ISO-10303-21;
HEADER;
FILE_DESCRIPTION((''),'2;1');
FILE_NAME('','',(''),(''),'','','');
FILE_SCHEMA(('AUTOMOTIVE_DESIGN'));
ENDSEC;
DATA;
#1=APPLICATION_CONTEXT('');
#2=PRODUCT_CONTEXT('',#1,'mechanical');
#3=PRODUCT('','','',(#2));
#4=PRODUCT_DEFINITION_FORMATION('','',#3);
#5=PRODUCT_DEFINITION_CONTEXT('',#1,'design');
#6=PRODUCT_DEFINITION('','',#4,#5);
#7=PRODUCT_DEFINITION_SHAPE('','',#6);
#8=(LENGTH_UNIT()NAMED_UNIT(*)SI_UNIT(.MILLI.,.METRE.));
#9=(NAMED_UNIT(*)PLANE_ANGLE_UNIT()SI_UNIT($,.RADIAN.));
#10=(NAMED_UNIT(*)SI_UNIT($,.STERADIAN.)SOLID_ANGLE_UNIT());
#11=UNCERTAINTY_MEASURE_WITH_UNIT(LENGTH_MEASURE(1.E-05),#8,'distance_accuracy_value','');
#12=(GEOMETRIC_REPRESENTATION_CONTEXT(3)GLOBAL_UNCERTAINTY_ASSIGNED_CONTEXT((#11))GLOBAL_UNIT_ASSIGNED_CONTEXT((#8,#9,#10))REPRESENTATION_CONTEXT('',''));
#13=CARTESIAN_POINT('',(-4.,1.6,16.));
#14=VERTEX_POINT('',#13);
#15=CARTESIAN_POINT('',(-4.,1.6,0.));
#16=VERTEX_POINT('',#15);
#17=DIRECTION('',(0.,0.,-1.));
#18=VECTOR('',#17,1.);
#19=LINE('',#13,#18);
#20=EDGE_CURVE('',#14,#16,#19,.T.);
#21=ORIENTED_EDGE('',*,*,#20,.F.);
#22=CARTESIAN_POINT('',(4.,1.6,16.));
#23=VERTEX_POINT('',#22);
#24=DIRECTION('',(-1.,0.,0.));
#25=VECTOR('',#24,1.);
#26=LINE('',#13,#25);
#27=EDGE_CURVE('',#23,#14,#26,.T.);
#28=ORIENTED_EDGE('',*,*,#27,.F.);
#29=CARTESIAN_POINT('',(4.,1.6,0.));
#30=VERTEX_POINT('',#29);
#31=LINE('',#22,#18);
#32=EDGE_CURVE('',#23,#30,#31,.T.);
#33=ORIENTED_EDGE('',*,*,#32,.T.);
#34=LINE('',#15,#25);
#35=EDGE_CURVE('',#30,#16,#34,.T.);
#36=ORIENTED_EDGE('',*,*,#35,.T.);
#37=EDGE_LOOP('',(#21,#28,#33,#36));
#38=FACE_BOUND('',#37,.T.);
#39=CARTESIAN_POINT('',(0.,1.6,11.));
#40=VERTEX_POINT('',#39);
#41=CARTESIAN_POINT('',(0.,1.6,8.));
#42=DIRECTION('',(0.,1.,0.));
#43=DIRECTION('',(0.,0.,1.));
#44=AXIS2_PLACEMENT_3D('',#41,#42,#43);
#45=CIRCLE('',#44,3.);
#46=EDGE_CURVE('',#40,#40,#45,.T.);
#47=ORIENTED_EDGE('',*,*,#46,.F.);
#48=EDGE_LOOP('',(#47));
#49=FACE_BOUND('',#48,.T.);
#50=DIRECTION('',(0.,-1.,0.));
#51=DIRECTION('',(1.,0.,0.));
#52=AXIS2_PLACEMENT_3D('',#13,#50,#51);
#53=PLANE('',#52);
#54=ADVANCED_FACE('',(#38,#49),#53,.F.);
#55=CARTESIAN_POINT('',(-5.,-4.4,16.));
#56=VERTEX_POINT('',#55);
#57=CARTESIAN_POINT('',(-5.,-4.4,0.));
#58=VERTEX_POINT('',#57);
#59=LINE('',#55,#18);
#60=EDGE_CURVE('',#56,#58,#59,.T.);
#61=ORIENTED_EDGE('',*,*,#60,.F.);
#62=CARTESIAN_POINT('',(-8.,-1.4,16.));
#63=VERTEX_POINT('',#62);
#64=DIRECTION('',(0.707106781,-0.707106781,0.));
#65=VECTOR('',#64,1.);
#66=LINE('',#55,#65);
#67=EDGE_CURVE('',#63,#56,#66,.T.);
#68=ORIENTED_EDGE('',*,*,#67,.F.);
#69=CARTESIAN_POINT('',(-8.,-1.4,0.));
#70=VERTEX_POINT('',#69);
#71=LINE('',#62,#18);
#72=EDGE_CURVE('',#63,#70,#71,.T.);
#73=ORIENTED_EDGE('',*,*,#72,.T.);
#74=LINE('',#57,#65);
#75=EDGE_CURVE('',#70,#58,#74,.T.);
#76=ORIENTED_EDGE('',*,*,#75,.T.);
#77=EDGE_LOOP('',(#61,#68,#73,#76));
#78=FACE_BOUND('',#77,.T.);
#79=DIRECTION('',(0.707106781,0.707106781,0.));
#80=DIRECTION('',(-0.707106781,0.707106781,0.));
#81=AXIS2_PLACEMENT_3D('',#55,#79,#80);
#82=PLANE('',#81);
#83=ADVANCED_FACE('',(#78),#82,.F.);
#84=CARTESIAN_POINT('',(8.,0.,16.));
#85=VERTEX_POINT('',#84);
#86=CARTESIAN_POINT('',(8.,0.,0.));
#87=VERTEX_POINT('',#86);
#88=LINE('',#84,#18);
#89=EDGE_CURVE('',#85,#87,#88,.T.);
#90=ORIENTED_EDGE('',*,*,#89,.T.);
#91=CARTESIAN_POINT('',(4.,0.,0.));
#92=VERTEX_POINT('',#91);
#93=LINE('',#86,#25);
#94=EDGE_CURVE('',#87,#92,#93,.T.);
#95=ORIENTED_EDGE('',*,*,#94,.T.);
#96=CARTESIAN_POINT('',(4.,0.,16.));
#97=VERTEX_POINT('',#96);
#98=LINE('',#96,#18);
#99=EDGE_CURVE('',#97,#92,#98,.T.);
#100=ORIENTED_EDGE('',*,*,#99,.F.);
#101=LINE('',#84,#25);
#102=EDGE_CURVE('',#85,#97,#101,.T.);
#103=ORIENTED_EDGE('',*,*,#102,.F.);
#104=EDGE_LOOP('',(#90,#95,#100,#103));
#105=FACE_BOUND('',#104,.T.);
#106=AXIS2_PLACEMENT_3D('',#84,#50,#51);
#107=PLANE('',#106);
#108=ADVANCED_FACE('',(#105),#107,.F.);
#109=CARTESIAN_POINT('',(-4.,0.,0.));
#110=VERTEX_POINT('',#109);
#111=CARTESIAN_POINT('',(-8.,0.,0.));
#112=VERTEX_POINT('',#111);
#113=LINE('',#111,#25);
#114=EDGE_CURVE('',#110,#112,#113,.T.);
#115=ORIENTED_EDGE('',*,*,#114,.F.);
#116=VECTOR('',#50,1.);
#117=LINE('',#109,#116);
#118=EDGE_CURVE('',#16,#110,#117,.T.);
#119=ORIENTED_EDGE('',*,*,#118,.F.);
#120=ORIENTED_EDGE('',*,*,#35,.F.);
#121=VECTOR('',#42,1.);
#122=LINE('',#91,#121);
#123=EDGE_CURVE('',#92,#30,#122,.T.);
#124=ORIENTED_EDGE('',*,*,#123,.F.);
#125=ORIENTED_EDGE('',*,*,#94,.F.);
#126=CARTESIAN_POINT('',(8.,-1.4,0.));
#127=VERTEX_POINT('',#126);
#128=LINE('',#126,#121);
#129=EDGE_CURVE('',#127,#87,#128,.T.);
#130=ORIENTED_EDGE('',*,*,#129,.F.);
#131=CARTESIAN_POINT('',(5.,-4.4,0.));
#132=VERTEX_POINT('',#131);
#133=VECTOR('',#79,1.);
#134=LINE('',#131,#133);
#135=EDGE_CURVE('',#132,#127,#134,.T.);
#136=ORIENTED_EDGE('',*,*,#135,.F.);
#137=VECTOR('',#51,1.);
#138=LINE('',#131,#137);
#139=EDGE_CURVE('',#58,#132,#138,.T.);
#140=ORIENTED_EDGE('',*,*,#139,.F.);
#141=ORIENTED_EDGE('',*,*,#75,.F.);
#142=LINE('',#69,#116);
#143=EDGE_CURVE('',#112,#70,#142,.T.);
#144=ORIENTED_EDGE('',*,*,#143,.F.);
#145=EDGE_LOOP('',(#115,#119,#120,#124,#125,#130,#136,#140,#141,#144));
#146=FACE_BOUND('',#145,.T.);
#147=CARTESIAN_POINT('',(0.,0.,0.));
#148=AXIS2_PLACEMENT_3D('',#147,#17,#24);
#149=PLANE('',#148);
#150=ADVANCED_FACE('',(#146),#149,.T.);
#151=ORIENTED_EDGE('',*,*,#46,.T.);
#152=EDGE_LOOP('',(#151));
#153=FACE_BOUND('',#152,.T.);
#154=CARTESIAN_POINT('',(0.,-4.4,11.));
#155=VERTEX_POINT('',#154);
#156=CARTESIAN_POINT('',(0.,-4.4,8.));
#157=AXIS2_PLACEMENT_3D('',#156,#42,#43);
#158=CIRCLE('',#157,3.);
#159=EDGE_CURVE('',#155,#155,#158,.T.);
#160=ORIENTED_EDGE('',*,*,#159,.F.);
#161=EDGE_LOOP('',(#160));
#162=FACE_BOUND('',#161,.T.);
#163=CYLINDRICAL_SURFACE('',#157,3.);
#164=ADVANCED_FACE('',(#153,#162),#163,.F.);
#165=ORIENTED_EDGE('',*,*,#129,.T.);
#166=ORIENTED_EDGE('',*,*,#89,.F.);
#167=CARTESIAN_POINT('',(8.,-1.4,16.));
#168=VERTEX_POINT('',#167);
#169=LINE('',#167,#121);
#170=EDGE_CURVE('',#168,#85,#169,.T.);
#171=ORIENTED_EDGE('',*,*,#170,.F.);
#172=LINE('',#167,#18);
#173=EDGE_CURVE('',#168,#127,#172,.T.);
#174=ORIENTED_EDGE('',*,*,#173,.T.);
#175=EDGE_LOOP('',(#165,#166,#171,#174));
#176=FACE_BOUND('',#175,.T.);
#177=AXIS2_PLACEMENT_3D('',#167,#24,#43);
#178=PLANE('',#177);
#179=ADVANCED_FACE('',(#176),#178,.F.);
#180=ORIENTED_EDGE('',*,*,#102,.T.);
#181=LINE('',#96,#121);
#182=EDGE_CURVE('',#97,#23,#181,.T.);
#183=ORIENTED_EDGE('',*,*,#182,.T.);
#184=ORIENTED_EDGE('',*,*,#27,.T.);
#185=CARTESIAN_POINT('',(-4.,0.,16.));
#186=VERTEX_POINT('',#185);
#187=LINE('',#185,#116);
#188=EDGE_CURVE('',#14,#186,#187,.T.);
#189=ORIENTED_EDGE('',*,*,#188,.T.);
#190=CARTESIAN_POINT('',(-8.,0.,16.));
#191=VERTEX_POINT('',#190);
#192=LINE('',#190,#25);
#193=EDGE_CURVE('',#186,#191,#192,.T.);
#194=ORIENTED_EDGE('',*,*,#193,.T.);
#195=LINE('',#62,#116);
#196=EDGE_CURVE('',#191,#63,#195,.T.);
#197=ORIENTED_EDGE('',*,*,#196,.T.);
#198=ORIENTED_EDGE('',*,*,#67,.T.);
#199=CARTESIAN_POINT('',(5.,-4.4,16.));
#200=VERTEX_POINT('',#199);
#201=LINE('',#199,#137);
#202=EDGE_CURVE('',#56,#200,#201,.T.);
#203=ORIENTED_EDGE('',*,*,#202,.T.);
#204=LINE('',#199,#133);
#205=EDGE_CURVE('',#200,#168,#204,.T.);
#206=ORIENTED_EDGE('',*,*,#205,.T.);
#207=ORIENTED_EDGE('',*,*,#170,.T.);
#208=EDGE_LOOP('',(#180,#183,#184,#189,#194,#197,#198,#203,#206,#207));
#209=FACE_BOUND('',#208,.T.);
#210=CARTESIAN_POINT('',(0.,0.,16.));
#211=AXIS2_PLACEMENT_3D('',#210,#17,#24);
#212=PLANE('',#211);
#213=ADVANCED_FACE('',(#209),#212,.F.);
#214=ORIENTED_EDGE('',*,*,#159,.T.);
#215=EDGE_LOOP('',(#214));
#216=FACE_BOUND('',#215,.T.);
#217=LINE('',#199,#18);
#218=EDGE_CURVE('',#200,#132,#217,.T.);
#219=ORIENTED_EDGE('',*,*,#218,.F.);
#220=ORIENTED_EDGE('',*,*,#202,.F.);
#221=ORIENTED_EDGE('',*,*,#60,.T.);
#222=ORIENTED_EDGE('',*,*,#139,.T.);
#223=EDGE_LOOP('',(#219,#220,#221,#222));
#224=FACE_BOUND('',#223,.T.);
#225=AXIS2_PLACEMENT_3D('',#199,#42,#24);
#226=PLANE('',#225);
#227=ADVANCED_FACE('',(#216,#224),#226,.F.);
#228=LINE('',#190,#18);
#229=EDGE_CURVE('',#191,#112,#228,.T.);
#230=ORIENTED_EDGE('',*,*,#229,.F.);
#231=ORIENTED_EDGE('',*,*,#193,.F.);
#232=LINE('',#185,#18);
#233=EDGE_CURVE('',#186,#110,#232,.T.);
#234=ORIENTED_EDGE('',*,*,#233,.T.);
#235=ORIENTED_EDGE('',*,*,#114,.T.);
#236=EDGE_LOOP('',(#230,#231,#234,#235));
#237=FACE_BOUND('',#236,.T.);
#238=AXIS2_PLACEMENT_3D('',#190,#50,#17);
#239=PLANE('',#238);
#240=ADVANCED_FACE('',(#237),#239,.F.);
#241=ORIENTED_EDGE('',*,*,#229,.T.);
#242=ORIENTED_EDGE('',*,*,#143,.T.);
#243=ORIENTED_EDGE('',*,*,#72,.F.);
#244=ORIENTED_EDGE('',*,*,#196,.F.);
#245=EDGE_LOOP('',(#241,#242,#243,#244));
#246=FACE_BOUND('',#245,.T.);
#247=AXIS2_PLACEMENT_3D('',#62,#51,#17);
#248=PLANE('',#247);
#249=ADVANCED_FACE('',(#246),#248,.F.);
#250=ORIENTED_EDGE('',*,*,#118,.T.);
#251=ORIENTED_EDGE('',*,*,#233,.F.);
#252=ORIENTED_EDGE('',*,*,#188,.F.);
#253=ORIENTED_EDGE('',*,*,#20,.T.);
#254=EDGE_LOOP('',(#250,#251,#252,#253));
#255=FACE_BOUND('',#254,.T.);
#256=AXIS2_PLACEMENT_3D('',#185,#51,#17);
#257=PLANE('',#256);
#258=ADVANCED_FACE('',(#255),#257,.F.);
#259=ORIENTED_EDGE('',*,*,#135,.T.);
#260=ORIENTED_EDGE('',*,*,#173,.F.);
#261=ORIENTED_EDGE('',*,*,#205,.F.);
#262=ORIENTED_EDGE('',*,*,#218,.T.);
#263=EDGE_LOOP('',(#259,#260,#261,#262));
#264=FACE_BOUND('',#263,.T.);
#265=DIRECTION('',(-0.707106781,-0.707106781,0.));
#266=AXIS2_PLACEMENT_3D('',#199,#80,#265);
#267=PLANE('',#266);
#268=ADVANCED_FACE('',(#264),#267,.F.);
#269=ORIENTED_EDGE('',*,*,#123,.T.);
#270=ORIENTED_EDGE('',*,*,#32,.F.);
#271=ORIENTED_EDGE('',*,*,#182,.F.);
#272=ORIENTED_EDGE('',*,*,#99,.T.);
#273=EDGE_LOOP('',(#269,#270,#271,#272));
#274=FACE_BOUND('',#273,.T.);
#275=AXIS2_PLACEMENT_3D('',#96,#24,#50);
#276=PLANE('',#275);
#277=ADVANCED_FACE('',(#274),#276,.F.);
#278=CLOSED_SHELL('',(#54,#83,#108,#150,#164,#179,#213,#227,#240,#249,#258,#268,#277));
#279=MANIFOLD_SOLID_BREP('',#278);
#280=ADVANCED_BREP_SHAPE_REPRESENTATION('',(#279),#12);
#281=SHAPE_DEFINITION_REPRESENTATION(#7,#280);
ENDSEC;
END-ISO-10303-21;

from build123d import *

# Parameters (mm, degrees)
EXTRUDE_1_DEPTH          = 16
CUT_EXTRUDE_1_DEPTH      = 19.421726303
CUT_EXTRUDE_1_DEPTH_BACK = 19.421726303
SKETCH_2_R               = 3


with BuildPart() as part:
    # 草图1 → 凸台-拉伸1 (new body)
    with BuildSketch(Plane.XY):
        Polygon((5, -4.4), (-5, -4.4), (-8, -1.4), (-8, 0), (-4, 0), (-4, 1.6), (4, 1.6), (4, 0), (8, 0), (8, -1.4), align=None)
    extrude(amount=EXTRUDE_1_DEPTH)

    # 草图2 → 切除-拉伸1 (cut, two sides: drawn at the far end of the back side and taken through both)
    with BuildSketch(Plane(origin=(0, 0, 0), x_dir=(1, 0, 0), z_dir=(0, 1, 0)).offset(-CUT_EXTRUDE_1_DEPTH_BACK)):
        with Locations(Location((0, -8, 0), (0, 0, 270))):
            Circle(SKETCH_2_R)
    extrude(amount=CUT_EXTRUDE_1_DEPTH + CUT_EXTRUDE_1_DEPTH_BACK, mode=Mode.SUBTRACT)


solid = part.part
